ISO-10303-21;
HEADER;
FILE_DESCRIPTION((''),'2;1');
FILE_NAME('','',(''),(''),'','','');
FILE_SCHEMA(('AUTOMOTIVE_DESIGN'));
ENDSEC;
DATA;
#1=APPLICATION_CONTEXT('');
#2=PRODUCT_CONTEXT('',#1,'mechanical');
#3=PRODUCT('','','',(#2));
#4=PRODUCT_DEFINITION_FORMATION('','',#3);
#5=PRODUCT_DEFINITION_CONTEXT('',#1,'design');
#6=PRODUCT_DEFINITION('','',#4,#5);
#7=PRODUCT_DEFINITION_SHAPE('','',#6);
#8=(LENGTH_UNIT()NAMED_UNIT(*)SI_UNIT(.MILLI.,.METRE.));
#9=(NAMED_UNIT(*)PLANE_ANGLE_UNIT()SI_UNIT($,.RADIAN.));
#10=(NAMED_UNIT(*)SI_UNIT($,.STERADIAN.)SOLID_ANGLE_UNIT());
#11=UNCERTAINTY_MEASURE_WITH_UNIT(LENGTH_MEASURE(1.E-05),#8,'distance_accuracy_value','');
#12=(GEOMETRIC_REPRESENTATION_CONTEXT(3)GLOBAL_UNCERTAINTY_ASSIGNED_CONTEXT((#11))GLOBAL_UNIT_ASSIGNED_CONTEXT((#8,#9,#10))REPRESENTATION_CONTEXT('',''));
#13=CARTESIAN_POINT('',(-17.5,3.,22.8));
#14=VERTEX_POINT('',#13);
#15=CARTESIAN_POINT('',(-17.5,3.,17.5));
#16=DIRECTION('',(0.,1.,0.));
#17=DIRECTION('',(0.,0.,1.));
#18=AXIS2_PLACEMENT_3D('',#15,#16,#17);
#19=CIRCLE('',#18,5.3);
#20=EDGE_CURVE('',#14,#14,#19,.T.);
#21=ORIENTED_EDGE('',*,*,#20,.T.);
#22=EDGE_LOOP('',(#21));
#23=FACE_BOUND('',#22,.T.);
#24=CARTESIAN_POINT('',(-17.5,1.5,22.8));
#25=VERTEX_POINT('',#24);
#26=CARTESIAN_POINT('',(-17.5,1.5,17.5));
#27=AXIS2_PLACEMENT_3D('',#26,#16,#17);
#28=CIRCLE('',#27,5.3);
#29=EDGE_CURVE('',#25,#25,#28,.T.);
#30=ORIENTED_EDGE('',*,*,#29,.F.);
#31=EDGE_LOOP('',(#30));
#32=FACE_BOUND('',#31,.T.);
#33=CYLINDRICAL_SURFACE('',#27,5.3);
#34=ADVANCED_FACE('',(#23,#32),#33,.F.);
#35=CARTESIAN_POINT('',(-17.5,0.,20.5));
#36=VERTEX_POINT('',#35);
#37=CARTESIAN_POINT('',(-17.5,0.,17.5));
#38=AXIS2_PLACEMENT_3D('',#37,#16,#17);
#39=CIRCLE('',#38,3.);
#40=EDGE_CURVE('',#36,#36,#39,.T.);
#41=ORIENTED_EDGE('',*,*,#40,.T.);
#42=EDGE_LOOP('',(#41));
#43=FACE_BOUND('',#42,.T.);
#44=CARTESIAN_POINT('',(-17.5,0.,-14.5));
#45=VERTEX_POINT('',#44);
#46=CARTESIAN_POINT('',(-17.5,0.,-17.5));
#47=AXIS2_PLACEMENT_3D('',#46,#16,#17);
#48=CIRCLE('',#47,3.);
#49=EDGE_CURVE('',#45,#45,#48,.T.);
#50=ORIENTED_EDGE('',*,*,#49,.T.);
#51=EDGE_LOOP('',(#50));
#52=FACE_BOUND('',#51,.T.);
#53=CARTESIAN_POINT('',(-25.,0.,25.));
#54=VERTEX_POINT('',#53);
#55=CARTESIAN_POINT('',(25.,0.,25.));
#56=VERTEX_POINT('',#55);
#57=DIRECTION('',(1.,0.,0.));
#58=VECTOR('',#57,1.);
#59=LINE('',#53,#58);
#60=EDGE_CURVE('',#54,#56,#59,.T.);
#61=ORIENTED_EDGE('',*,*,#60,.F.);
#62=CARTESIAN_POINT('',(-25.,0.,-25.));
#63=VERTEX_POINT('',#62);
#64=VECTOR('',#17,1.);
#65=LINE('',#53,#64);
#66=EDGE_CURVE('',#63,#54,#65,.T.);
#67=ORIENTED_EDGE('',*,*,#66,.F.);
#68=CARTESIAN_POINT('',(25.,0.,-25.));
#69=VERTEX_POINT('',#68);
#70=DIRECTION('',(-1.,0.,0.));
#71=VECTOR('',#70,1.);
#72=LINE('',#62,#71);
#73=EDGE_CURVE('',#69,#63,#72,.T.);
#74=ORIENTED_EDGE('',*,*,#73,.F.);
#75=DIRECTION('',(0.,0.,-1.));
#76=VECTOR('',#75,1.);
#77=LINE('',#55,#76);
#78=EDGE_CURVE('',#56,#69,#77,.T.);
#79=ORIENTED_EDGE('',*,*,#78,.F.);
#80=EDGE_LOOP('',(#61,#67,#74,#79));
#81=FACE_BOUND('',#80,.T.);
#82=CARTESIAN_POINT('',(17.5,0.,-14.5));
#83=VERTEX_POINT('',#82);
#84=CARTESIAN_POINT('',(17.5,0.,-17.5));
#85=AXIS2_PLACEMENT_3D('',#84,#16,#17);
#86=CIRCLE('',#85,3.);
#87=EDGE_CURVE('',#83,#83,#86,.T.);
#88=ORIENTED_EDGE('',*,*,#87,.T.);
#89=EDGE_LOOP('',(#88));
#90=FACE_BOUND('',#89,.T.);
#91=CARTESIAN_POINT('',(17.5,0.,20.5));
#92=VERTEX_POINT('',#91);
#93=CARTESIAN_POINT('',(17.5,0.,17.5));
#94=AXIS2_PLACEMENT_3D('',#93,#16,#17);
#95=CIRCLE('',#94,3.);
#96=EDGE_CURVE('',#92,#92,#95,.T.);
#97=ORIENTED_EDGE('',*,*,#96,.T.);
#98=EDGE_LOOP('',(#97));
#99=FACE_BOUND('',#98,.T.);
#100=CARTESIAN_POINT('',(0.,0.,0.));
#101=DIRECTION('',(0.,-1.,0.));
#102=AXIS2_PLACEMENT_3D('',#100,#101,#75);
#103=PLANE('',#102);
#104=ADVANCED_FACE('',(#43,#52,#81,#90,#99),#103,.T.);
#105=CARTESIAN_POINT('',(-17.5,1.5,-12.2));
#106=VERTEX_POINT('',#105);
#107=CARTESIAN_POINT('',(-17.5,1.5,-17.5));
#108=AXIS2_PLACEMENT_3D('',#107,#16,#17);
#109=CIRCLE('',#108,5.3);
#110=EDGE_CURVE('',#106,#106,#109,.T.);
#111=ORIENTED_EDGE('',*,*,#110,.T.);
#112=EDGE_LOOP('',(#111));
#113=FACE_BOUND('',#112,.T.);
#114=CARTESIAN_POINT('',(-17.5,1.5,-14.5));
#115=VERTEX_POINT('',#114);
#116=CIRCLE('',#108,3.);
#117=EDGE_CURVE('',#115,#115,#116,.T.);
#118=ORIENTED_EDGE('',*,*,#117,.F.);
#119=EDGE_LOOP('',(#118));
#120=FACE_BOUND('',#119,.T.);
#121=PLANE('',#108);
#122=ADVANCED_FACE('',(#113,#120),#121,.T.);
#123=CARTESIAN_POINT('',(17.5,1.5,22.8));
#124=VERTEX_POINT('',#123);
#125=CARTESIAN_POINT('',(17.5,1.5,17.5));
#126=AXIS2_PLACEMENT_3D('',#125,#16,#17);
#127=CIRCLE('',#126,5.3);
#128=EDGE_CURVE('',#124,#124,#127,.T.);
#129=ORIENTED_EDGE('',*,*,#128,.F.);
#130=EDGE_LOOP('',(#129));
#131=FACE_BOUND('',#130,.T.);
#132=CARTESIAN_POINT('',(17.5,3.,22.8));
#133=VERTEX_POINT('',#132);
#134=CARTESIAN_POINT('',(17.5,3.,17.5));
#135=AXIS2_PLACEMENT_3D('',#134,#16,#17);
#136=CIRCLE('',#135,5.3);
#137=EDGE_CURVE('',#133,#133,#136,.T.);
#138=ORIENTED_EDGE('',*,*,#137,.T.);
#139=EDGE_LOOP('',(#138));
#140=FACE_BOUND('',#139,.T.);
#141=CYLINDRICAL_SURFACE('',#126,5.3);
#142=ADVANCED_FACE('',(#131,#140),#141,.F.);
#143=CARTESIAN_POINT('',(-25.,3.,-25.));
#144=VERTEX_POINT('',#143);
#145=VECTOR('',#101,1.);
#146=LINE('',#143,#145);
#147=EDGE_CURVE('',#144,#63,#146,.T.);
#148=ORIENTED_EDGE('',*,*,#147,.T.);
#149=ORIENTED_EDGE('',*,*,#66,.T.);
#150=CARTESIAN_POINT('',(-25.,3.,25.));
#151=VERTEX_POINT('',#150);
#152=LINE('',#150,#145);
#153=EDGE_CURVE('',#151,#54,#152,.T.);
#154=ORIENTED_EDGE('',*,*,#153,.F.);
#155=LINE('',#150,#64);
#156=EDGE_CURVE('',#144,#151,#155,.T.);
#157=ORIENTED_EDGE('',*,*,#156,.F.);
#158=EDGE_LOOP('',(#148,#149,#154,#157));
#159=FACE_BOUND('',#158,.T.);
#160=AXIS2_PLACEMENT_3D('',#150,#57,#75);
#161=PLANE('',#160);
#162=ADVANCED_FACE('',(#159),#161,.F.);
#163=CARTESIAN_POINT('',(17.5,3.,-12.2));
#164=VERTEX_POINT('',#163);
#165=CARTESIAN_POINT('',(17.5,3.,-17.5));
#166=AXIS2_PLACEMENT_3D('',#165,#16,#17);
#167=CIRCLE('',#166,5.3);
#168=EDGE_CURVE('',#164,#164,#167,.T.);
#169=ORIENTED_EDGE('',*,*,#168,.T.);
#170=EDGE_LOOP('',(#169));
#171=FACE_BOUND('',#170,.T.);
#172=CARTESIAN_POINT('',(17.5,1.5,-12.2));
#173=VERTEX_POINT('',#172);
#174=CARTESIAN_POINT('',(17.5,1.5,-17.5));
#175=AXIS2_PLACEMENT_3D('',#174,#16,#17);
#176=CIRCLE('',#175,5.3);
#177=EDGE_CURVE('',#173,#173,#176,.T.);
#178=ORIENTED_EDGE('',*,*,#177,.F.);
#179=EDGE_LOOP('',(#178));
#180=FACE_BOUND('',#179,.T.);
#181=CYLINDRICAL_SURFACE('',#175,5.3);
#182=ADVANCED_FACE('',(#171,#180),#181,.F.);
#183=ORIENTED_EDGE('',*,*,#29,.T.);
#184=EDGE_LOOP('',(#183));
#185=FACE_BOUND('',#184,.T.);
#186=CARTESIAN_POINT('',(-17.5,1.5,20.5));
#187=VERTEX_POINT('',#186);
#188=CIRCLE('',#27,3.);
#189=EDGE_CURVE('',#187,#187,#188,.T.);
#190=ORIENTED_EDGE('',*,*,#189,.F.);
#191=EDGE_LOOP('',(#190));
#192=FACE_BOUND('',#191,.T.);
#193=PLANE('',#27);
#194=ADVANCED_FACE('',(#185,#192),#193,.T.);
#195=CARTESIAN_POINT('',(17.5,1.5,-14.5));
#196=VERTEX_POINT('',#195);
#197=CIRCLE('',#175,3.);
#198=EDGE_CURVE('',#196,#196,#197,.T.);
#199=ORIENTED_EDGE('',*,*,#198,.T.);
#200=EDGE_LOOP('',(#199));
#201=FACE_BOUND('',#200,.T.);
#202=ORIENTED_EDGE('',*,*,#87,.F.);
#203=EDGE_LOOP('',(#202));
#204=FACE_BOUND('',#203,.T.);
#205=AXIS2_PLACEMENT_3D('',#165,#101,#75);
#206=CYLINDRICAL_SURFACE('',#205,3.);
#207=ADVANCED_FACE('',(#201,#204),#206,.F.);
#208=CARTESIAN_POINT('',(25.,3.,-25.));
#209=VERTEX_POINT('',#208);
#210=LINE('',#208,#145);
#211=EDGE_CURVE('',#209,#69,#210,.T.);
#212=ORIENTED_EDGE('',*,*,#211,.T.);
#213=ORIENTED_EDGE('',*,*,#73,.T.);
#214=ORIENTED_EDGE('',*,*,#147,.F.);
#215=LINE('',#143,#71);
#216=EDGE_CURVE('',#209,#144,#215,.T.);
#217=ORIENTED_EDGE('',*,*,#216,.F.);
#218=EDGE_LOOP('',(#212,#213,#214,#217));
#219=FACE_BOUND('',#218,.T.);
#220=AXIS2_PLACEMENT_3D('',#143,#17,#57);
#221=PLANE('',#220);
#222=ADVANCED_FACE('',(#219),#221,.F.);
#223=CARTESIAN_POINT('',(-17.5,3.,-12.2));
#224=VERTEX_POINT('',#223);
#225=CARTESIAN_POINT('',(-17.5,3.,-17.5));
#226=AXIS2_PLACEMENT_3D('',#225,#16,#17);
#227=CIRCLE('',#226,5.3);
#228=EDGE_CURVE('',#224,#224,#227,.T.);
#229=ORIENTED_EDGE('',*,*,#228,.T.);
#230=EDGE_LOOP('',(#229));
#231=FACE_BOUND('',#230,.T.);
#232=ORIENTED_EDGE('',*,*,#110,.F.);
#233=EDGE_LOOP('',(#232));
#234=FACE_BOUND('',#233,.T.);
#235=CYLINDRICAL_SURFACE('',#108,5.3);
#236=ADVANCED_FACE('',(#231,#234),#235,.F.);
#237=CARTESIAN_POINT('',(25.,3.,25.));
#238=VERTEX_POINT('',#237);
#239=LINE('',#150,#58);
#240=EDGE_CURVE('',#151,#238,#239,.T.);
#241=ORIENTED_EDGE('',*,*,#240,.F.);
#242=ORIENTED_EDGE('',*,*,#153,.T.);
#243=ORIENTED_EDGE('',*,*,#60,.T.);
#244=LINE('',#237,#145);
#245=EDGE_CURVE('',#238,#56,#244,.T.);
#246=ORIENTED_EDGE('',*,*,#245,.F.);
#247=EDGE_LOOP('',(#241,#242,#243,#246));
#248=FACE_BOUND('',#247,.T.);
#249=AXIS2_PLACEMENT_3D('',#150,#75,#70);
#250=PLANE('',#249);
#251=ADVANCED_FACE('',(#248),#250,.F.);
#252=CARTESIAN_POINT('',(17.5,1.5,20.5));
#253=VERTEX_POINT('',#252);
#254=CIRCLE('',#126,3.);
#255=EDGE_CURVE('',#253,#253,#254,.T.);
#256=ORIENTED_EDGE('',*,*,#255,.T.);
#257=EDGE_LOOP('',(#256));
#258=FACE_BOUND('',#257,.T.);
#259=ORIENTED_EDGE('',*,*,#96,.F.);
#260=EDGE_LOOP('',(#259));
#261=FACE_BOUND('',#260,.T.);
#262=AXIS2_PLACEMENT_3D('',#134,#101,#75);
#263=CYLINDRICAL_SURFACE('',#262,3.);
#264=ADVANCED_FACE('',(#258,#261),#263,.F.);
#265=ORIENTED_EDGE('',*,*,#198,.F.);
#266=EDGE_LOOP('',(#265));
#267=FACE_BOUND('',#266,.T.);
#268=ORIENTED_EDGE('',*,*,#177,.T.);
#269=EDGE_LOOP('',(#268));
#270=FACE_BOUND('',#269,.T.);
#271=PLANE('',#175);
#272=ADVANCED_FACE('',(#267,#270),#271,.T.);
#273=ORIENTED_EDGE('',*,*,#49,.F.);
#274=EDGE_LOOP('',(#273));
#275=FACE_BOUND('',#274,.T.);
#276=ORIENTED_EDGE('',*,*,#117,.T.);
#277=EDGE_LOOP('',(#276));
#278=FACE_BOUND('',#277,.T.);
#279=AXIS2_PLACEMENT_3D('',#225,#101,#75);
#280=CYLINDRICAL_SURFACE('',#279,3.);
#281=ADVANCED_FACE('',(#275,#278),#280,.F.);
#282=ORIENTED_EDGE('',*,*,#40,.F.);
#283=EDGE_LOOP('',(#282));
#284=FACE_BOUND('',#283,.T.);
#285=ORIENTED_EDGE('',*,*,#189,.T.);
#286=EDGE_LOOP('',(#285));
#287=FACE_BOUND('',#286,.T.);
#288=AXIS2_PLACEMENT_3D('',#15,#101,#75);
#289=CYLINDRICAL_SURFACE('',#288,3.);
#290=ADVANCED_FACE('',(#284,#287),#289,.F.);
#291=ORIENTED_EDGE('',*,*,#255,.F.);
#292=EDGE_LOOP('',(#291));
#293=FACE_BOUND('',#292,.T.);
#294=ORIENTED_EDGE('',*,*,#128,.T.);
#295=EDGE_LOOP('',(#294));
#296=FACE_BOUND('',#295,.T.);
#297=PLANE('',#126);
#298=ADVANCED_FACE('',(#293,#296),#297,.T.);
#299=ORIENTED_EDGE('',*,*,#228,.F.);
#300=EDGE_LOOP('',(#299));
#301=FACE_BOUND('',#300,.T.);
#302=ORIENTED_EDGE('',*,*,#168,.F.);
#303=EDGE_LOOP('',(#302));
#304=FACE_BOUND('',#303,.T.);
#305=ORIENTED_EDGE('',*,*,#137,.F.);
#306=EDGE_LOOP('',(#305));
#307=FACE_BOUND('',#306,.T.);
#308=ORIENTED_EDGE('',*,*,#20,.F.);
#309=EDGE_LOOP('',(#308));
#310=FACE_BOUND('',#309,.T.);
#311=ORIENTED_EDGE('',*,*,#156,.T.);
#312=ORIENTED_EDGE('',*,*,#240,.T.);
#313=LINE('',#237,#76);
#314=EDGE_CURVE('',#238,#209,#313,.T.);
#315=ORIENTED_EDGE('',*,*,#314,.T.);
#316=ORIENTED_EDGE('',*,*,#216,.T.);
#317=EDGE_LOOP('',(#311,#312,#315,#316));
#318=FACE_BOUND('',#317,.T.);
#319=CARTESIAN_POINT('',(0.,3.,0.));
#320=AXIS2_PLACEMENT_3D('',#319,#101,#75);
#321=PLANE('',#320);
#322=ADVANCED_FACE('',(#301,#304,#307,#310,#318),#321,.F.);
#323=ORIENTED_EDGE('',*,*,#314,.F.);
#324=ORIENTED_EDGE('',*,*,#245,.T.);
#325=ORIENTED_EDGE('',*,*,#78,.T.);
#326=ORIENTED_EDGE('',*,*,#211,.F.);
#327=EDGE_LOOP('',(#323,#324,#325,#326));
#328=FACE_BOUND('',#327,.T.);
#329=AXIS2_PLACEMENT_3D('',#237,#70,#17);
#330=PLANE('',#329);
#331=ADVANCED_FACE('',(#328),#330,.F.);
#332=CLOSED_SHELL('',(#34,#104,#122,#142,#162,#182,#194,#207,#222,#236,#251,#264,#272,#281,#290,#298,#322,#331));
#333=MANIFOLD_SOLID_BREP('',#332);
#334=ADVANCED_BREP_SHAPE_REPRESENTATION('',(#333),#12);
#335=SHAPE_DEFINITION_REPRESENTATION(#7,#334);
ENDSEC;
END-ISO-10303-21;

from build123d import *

# Parameters (mm, degrees)
SKETCH1_W           = 50
SKETCH1_H           = 50
SKETCH1_R           = 3
BOSS_EXTRUDE1_DEPTH = 3
SKETCH2_R           = 5.3
CUT_EXTRUDE1_DEPTH  = 1.5


with BuildPart() as part:
    # Sketch1 → Boss-Extrude1 (new body)
    with BuildSketch(Plane(origin=(0, 0, 0), x_dir=(1, 0, 0), z_dir=(0, 1, 0))):
        Rectangle(SKETCH1_W, SKETCH1_H)
        with Locations(Location((-17.5, 17.5, 0), (0, 0, 270))):
            Circle(SKETCH1_R, mode=Mode.SUBTRACT)
        with Locations(Location((17.5, 17.5, 0), (0, 0, 270))):
            Circle(SKETCH1_R, mode=Mode.SUBTRACT)
        with Locations(Location((-17.5, -17.5, 0), (0, 0, 270))):
            Circle(SKETCH1_R, mode=Mode.SUBTRACT)
        with Locations(Location((17.5, -17.5, 0), (0, 0, 270))):
            Circle(SKETCH1_R, mode=Mode.SUBTRACT)
    extrude(amount=BOSS_EXTRUDE1_DEPTH)

    # Sketch2 → Cut-Extrude1 (cut)
    with BuildSketch(Plane(origin=(0, 3, 0), x_dir=(1, 0, 0), z_dir=(0, 1, 0))):
        with Locations(Location((-17.5, 17.5, 0), (0, 0, 270))):
            Circle(SKETCH2_R)
        with Locations(Location((17.5, 17.5, 0), (0, 0, 270))):
            Circle(SKETCH2_R)
        with Locations(Location((17.5, -17.5, 0), (0, 0, 270))):
            Circle(SKETCH2_R)
        with Locations(Location((-17.5, -17.5, 0), (0, 0, 270))):
            Circle(SKETCH2_R)
    extrude(amount=-CUT_EXTRUDE1_DEPTH, mode=Mode.SUBTRACT)


solid = part.part
